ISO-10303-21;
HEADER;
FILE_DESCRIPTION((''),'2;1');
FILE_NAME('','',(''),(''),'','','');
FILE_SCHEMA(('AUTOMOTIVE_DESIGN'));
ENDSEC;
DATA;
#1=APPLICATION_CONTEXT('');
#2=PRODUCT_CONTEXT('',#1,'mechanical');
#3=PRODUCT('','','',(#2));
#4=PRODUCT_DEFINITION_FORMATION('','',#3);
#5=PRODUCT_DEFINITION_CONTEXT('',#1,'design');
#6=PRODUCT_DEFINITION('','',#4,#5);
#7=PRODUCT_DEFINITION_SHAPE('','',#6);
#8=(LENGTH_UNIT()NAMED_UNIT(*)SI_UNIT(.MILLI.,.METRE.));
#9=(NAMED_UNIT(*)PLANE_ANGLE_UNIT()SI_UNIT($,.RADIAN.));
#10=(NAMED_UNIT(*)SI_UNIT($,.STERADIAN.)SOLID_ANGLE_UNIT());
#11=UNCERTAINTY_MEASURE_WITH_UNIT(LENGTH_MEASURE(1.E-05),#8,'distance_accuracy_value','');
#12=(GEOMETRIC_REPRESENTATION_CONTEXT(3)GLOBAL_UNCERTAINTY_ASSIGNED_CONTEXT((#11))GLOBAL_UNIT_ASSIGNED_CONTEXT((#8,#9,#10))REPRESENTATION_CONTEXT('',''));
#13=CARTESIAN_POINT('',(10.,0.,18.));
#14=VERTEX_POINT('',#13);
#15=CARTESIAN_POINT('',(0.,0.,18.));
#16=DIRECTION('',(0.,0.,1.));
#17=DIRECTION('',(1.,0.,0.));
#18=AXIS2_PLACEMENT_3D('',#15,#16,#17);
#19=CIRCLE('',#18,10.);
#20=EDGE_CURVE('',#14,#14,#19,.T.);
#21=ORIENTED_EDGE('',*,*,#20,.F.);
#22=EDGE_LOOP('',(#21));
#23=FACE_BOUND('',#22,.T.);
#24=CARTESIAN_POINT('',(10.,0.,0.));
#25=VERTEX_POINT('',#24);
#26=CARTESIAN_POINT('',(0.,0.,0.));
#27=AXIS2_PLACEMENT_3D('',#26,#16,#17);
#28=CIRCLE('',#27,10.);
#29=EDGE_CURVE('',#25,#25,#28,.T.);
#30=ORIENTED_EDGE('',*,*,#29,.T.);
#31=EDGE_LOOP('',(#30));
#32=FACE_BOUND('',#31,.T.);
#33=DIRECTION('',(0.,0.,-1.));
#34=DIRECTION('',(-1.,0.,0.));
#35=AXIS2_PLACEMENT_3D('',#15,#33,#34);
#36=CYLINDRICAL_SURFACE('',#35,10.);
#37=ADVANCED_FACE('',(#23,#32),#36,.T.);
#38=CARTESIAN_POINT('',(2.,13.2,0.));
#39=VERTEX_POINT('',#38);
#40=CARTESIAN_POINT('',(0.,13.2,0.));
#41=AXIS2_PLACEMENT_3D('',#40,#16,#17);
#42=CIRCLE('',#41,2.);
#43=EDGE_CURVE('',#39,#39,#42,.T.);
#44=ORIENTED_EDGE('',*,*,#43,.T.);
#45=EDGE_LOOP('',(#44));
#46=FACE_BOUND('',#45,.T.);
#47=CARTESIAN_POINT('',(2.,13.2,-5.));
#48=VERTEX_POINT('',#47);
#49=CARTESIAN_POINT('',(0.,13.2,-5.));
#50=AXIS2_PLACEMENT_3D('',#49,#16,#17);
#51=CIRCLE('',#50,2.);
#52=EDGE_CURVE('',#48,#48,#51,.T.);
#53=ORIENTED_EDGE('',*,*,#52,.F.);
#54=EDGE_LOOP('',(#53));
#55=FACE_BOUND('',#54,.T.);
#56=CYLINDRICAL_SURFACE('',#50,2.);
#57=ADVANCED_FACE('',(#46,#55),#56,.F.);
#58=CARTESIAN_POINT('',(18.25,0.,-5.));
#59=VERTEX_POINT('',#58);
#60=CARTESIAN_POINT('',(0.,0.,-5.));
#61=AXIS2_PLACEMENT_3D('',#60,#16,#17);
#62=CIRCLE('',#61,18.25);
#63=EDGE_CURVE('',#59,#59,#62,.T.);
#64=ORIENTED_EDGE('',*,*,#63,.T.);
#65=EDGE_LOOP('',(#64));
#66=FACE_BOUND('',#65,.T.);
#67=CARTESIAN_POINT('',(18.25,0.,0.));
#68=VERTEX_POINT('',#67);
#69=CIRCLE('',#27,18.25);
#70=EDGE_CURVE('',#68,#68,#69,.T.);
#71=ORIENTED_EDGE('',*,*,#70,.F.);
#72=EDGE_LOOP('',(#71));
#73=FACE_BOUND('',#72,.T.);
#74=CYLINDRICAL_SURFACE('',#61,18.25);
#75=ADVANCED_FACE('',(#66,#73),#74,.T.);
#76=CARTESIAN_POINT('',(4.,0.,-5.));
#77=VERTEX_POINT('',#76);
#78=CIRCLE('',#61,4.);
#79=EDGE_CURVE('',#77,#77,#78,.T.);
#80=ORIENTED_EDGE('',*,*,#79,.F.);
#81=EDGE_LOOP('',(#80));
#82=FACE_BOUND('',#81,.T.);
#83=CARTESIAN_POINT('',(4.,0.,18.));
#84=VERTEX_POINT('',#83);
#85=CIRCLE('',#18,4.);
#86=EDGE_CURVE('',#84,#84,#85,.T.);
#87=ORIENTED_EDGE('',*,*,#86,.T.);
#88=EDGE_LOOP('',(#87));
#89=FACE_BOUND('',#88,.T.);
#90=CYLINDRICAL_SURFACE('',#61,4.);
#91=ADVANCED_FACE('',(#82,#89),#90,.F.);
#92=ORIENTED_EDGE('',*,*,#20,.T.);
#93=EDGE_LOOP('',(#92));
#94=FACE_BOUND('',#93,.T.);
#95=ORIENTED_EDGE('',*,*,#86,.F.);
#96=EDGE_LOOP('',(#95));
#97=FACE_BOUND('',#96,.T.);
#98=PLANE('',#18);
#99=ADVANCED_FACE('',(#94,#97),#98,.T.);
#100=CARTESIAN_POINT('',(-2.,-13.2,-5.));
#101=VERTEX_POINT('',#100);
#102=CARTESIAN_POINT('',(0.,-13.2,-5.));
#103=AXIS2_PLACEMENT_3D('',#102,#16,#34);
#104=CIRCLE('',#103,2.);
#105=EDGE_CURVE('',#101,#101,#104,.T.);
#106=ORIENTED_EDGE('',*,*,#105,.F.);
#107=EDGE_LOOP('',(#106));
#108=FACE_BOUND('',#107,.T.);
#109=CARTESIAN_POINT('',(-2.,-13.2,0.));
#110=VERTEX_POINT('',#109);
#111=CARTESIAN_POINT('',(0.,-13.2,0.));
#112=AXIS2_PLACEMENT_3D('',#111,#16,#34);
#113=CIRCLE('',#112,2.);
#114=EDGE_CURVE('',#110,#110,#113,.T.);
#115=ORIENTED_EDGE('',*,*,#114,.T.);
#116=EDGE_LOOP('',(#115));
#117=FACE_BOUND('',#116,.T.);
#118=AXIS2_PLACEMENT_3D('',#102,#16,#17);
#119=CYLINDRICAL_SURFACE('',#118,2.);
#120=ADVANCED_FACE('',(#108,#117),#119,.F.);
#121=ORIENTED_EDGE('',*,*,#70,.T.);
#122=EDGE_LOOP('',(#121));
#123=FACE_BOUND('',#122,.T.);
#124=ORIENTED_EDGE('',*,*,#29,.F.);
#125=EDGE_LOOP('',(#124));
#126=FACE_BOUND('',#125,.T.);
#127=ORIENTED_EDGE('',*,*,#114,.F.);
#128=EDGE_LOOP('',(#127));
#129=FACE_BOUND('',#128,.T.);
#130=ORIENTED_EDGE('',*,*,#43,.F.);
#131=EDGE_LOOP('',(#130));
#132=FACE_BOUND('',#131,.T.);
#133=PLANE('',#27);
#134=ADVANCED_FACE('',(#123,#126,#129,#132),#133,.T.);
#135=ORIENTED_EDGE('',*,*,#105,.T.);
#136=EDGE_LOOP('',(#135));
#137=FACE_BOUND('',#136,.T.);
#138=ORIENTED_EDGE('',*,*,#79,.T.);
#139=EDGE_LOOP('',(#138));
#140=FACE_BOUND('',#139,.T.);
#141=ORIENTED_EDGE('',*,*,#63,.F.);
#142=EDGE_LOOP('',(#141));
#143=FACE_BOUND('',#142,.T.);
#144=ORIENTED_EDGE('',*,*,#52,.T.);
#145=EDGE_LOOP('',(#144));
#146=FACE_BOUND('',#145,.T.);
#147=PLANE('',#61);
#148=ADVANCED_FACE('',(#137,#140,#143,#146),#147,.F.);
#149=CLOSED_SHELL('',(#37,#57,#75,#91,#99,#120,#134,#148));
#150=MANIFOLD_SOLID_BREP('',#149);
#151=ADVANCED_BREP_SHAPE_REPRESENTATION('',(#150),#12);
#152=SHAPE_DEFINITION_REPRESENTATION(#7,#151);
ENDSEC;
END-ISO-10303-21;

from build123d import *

# Parameters (mm, degrees)
CROQUIS1_R              = 18.25
CROQUIS1_R_2            = 2
SALIENTE_EXTRUIR2_DEPTH = 5
CROQUIS2_R              = 10
SALIENTE_EXTRUIR4_DEPTH = 18
CROQUIS3_R              = 4
CORTAR_EXTRUIR1_DEPTH   = 23


with BuildPart() as part:
    # Croquis1 → Saliente-Extruir2 (new body)
    with BuildSketch(Plane.XY):
        Circle(CROQUIS1_R)
        with Locations((0, 13.2)):
            Circle(CROQUIS1_R_2, mode=Mode.SUBTRACT)
        with Locations(Location((0, -13.2, 0), (0, 0, 180))):
            Circle(CROQUIS1_R_2, mode=Mode.SUBTRACT)
    extrude(amount=-SALIENTE_EXTRUIR2_DEPTH)

    # Croquis2 → Saliente-Extruir4 (add)
    with BuildSketch(Plane.XY):
        Circle(CROQUIS2_R)
    extrude(amount=SALIENTE_EXTRUIR4_DEPTH)

    # Croquis3 → Cortar-Extruir1 (cut)
    with BuildSketch(Plane.XY.offset(18)):
        Circle(CROQUIS3_R)
    extrude(amount=-CORTAR_EXTRUIR1_DEPTH, mode=Mode.SUBTRACT)


solid = part.part
